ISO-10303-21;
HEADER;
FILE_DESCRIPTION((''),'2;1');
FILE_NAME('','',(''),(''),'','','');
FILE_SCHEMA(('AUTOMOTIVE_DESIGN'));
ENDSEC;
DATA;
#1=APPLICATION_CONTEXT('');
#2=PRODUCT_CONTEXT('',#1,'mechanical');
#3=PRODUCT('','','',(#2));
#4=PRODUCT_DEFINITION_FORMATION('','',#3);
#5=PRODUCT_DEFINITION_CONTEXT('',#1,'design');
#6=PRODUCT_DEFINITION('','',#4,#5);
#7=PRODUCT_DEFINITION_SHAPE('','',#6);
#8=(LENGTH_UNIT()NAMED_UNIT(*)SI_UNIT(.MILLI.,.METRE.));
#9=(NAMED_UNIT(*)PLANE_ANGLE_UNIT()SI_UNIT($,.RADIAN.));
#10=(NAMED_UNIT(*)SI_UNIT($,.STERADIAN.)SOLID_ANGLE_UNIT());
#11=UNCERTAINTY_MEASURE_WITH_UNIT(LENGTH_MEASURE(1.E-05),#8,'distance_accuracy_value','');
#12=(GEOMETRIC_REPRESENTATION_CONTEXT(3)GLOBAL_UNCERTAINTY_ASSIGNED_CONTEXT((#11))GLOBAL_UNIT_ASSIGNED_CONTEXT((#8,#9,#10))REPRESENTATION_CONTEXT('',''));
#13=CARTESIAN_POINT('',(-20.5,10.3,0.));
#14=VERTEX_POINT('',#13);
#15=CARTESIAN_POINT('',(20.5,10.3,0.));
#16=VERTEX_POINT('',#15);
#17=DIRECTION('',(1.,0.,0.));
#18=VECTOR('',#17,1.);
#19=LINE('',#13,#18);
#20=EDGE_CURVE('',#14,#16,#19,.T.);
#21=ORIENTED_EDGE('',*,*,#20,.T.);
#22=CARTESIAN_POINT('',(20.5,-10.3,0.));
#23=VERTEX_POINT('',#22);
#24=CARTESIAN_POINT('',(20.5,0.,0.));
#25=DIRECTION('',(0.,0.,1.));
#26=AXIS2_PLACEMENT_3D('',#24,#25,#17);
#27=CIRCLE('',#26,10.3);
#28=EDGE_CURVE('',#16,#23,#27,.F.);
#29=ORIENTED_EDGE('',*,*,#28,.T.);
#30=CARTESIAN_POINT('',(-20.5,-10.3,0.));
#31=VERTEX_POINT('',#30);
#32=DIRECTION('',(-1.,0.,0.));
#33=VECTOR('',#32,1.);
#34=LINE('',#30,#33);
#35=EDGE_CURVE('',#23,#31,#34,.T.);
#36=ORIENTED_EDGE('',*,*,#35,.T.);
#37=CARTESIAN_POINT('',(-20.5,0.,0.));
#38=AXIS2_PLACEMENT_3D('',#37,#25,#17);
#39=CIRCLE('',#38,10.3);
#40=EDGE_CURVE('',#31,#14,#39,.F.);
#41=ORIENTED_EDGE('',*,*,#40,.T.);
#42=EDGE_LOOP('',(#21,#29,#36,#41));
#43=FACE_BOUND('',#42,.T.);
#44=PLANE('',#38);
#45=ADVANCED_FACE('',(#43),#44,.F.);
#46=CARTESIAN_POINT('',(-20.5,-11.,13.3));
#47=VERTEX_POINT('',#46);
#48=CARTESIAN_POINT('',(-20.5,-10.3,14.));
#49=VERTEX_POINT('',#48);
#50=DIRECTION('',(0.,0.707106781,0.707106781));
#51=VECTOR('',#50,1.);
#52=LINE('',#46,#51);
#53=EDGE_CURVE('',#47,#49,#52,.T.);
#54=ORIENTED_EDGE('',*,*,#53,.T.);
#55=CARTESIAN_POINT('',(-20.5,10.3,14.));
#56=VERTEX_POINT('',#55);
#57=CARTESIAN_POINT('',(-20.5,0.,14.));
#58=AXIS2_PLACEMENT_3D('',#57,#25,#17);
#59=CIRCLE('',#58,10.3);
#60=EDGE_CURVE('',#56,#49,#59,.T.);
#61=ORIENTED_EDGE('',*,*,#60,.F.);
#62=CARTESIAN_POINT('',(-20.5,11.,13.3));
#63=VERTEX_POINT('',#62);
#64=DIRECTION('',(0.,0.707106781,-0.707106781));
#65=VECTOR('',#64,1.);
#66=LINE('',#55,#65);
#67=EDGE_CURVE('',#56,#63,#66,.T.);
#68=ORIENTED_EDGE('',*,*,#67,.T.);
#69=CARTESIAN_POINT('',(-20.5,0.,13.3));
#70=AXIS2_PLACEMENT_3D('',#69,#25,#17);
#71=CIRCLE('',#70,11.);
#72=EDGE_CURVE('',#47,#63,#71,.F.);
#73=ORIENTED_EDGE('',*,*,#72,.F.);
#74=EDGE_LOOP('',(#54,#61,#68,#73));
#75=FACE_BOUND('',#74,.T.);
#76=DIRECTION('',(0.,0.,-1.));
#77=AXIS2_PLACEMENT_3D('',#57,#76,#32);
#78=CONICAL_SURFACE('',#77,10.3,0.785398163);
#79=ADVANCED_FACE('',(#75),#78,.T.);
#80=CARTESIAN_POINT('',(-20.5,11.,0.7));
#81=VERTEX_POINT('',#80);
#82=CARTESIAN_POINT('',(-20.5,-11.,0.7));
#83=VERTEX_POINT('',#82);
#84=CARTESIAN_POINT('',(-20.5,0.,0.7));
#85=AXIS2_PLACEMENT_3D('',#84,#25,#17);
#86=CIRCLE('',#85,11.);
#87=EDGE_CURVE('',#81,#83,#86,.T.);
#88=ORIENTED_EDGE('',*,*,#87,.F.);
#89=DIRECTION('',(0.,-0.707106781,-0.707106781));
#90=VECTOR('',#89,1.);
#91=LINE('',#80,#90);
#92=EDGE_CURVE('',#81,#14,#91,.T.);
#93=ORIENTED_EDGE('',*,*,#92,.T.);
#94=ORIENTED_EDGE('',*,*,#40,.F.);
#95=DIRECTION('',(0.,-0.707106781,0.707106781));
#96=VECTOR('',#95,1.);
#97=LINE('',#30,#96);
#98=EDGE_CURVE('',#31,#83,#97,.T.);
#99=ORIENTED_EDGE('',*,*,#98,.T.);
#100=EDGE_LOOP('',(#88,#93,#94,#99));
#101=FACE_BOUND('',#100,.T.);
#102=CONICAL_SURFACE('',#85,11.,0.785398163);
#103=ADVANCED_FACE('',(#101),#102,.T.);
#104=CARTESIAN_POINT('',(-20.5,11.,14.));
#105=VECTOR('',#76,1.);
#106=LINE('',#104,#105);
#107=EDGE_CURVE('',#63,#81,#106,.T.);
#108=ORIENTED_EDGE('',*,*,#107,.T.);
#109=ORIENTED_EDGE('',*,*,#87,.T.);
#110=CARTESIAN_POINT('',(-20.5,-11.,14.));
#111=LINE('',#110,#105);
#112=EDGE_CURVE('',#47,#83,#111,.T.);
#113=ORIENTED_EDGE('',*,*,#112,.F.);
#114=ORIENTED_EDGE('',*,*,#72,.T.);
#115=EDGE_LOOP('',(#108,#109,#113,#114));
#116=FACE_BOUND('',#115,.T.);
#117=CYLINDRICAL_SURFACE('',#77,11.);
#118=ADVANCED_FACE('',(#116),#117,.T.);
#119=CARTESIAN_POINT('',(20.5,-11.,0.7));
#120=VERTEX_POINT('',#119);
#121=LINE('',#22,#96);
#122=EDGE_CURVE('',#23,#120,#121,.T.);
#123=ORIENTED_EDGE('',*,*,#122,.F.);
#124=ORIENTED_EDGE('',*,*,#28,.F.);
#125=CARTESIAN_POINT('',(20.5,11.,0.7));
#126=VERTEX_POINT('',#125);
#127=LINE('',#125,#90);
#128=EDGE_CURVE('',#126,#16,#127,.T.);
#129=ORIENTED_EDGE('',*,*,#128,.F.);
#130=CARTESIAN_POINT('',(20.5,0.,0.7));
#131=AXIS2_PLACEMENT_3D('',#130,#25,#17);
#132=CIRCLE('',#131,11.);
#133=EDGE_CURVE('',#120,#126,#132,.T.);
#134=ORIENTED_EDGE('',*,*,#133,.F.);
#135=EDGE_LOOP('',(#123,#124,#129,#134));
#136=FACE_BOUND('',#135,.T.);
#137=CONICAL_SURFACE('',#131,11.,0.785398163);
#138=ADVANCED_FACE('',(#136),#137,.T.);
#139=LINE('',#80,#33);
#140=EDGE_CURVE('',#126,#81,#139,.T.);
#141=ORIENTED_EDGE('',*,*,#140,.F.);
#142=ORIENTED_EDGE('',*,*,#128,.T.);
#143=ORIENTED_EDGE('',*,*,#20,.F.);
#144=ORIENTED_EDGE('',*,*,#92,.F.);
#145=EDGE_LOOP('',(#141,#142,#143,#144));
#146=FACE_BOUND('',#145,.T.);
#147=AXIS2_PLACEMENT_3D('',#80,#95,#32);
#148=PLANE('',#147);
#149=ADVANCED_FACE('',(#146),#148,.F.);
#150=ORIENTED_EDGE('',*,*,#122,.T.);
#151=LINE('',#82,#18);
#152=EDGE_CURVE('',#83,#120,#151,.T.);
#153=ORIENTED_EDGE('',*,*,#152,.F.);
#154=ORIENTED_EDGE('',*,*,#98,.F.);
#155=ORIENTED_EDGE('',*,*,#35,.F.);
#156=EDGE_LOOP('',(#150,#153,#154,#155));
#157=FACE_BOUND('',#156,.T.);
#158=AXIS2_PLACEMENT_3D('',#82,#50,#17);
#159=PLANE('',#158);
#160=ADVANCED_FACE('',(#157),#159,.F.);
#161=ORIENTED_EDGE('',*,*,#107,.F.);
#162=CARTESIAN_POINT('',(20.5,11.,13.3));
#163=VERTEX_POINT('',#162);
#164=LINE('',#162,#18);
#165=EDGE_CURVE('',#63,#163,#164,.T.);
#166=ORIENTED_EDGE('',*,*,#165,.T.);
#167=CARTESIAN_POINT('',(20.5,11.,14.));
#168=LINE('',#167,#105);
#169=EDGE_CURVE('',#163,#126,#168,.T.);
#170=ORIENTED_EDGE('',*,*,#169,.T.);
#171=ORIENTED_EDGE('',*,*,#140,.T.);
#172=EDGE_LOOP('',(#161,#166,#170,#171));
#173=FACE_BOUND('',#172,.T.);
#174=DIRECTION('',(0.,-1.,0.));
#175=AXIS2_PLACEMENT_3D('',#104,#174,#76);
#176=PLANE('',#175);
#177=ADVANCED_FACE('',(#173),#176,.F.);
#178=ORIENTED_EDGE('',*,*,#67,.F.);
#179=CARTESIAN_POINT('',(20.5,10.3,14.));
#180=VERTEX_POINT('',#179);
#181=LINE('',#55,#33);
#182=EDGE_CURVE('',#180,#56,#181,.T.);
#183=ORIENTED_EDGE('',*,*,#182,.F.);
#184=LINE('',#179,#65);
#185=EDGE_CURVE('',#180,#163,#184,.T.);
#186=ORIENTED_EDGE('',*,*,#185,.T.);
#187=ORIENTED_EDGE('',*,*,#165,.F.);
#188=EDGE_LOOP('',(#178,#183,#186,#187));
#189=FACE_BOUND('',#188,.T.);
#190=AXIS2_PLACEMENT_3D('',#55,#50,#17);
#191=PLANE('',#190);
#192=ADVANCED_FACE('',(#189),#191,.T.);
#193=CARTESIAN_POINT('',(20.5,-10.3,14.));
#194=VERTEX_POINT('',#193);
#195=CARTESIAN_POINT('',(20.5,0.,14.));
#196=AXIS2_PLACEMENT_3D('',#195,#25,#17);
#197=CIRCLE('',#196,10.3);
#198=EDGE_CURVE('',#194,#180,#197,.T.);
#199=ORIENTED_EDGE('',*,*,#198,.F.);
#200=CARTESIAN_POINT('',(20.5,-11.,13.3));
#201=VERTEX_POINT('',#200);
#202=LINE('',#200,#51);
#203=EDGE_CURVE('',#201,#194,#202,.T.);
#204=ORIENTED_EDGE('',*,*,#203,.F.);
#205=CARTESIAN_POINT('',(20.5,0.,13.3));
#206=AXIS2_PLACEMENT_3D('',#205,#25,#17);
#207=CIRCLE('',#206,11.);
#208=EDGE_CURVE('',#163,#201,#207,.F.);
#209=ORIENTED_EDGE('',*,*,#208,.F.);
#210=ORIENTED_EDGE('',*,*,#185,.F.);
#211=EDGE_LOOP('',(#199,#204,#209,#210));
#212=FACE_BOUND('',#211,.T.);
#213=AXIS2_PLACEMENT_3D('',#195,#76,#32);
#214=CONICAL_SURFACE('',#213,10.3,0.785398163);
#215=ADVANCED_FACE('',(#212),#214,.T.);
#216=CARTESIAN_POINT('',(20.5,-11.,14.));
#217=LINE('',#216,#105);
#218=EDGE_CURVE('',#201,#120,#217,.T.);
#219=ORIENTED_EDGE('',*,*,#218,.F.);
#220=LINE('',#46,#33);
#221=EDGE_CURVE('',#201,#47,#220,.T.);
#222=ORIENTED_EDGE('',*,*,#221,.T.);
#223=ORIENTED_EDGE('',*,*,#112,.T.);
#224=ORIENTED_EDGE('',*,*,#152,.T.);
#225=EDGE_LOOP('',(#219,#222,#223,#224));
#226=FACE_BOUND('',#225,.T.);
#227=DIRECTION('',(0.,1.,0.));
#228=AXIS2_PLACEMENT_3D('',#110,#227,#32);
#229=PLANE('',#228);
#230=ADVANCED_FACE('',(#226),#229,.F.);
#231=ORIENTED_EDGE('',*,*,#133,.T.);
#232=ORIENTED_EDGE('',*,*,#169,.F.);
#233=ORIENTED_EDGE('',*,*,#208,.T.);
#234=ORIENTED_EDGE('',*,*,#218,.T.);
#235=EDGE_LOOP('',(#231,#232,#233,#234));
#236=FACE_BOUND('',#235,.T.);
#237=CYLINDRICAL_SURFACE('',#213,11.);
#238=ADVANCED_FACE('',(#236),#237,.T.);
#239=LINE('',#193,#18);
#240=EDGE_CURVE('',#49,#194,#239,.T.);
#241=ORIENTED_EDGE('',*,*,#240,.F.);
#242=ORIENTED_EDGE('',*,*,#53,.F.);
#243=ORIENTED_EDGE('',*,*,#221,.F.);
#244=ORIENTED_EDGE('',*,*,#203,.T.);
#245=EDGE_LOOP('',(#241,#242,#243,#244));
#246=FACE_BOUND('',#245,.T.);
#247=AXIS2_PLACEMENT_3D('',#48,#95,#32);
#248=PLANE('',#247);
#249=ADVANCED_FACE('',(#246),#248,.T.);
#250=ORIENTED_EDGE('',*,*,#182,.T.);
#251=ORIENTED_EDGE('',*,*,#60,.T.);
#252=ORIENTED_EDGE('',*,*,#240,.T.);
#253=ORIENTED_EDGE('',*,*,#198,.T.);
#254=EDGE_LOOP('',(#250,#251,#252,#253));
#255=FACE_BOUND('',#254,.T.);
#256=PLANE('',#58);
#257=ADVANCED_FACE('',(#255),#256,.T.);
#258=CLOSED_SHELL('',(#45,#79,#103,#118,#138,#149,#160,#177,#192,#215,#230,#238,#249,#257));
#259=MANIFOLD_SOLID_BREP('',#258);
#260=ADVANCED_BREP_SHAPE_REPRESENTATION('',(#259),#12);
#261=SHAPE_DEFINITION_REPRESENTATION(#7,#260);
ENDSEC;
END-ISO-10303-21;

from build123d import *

# Parameters (mm, degrees)
ESTRUSIONE_ESTRUSIONE1_DEPTH = 14
SMUSSO1_SIZE                 = 0.7


with BuildPart() as part:
    # Schizzo1 → Estrusione-Estrusione1 (new body)
    with BuildSketch(Plane.XY):
        with BuildLine():
            Line((-20.5, 11), (20.5, 11))
            ThreePointArc((20.5, 11), (31.5, 0), (20.5, -11))
            Line((20.5, -11), (-20.5, -11))
            ThreePointArc((-20.5, -11), (-31.5, 0), (-20.5, 11))
        make_face()
    extrude(amount=ESTRUSIONE_ESTRUSIONE1_DEPTH)

    # Smusso1
    smusso1_edges = [part.edges().sort_by_distance(p)[0] for p in [
        (31.5, 0, 14),
        (0, 11, 14),
        (-31.5, 0, 14),
        (0, 11, 0),
        (31.5, 0, 0),
        (0, -11, 0),
        (-31.5, 0, 0),
        (0, -11, 14),
    ]]
    chamfer(smusso1_edges, length=SMUSSO1_SIZE)


solid = part.part
